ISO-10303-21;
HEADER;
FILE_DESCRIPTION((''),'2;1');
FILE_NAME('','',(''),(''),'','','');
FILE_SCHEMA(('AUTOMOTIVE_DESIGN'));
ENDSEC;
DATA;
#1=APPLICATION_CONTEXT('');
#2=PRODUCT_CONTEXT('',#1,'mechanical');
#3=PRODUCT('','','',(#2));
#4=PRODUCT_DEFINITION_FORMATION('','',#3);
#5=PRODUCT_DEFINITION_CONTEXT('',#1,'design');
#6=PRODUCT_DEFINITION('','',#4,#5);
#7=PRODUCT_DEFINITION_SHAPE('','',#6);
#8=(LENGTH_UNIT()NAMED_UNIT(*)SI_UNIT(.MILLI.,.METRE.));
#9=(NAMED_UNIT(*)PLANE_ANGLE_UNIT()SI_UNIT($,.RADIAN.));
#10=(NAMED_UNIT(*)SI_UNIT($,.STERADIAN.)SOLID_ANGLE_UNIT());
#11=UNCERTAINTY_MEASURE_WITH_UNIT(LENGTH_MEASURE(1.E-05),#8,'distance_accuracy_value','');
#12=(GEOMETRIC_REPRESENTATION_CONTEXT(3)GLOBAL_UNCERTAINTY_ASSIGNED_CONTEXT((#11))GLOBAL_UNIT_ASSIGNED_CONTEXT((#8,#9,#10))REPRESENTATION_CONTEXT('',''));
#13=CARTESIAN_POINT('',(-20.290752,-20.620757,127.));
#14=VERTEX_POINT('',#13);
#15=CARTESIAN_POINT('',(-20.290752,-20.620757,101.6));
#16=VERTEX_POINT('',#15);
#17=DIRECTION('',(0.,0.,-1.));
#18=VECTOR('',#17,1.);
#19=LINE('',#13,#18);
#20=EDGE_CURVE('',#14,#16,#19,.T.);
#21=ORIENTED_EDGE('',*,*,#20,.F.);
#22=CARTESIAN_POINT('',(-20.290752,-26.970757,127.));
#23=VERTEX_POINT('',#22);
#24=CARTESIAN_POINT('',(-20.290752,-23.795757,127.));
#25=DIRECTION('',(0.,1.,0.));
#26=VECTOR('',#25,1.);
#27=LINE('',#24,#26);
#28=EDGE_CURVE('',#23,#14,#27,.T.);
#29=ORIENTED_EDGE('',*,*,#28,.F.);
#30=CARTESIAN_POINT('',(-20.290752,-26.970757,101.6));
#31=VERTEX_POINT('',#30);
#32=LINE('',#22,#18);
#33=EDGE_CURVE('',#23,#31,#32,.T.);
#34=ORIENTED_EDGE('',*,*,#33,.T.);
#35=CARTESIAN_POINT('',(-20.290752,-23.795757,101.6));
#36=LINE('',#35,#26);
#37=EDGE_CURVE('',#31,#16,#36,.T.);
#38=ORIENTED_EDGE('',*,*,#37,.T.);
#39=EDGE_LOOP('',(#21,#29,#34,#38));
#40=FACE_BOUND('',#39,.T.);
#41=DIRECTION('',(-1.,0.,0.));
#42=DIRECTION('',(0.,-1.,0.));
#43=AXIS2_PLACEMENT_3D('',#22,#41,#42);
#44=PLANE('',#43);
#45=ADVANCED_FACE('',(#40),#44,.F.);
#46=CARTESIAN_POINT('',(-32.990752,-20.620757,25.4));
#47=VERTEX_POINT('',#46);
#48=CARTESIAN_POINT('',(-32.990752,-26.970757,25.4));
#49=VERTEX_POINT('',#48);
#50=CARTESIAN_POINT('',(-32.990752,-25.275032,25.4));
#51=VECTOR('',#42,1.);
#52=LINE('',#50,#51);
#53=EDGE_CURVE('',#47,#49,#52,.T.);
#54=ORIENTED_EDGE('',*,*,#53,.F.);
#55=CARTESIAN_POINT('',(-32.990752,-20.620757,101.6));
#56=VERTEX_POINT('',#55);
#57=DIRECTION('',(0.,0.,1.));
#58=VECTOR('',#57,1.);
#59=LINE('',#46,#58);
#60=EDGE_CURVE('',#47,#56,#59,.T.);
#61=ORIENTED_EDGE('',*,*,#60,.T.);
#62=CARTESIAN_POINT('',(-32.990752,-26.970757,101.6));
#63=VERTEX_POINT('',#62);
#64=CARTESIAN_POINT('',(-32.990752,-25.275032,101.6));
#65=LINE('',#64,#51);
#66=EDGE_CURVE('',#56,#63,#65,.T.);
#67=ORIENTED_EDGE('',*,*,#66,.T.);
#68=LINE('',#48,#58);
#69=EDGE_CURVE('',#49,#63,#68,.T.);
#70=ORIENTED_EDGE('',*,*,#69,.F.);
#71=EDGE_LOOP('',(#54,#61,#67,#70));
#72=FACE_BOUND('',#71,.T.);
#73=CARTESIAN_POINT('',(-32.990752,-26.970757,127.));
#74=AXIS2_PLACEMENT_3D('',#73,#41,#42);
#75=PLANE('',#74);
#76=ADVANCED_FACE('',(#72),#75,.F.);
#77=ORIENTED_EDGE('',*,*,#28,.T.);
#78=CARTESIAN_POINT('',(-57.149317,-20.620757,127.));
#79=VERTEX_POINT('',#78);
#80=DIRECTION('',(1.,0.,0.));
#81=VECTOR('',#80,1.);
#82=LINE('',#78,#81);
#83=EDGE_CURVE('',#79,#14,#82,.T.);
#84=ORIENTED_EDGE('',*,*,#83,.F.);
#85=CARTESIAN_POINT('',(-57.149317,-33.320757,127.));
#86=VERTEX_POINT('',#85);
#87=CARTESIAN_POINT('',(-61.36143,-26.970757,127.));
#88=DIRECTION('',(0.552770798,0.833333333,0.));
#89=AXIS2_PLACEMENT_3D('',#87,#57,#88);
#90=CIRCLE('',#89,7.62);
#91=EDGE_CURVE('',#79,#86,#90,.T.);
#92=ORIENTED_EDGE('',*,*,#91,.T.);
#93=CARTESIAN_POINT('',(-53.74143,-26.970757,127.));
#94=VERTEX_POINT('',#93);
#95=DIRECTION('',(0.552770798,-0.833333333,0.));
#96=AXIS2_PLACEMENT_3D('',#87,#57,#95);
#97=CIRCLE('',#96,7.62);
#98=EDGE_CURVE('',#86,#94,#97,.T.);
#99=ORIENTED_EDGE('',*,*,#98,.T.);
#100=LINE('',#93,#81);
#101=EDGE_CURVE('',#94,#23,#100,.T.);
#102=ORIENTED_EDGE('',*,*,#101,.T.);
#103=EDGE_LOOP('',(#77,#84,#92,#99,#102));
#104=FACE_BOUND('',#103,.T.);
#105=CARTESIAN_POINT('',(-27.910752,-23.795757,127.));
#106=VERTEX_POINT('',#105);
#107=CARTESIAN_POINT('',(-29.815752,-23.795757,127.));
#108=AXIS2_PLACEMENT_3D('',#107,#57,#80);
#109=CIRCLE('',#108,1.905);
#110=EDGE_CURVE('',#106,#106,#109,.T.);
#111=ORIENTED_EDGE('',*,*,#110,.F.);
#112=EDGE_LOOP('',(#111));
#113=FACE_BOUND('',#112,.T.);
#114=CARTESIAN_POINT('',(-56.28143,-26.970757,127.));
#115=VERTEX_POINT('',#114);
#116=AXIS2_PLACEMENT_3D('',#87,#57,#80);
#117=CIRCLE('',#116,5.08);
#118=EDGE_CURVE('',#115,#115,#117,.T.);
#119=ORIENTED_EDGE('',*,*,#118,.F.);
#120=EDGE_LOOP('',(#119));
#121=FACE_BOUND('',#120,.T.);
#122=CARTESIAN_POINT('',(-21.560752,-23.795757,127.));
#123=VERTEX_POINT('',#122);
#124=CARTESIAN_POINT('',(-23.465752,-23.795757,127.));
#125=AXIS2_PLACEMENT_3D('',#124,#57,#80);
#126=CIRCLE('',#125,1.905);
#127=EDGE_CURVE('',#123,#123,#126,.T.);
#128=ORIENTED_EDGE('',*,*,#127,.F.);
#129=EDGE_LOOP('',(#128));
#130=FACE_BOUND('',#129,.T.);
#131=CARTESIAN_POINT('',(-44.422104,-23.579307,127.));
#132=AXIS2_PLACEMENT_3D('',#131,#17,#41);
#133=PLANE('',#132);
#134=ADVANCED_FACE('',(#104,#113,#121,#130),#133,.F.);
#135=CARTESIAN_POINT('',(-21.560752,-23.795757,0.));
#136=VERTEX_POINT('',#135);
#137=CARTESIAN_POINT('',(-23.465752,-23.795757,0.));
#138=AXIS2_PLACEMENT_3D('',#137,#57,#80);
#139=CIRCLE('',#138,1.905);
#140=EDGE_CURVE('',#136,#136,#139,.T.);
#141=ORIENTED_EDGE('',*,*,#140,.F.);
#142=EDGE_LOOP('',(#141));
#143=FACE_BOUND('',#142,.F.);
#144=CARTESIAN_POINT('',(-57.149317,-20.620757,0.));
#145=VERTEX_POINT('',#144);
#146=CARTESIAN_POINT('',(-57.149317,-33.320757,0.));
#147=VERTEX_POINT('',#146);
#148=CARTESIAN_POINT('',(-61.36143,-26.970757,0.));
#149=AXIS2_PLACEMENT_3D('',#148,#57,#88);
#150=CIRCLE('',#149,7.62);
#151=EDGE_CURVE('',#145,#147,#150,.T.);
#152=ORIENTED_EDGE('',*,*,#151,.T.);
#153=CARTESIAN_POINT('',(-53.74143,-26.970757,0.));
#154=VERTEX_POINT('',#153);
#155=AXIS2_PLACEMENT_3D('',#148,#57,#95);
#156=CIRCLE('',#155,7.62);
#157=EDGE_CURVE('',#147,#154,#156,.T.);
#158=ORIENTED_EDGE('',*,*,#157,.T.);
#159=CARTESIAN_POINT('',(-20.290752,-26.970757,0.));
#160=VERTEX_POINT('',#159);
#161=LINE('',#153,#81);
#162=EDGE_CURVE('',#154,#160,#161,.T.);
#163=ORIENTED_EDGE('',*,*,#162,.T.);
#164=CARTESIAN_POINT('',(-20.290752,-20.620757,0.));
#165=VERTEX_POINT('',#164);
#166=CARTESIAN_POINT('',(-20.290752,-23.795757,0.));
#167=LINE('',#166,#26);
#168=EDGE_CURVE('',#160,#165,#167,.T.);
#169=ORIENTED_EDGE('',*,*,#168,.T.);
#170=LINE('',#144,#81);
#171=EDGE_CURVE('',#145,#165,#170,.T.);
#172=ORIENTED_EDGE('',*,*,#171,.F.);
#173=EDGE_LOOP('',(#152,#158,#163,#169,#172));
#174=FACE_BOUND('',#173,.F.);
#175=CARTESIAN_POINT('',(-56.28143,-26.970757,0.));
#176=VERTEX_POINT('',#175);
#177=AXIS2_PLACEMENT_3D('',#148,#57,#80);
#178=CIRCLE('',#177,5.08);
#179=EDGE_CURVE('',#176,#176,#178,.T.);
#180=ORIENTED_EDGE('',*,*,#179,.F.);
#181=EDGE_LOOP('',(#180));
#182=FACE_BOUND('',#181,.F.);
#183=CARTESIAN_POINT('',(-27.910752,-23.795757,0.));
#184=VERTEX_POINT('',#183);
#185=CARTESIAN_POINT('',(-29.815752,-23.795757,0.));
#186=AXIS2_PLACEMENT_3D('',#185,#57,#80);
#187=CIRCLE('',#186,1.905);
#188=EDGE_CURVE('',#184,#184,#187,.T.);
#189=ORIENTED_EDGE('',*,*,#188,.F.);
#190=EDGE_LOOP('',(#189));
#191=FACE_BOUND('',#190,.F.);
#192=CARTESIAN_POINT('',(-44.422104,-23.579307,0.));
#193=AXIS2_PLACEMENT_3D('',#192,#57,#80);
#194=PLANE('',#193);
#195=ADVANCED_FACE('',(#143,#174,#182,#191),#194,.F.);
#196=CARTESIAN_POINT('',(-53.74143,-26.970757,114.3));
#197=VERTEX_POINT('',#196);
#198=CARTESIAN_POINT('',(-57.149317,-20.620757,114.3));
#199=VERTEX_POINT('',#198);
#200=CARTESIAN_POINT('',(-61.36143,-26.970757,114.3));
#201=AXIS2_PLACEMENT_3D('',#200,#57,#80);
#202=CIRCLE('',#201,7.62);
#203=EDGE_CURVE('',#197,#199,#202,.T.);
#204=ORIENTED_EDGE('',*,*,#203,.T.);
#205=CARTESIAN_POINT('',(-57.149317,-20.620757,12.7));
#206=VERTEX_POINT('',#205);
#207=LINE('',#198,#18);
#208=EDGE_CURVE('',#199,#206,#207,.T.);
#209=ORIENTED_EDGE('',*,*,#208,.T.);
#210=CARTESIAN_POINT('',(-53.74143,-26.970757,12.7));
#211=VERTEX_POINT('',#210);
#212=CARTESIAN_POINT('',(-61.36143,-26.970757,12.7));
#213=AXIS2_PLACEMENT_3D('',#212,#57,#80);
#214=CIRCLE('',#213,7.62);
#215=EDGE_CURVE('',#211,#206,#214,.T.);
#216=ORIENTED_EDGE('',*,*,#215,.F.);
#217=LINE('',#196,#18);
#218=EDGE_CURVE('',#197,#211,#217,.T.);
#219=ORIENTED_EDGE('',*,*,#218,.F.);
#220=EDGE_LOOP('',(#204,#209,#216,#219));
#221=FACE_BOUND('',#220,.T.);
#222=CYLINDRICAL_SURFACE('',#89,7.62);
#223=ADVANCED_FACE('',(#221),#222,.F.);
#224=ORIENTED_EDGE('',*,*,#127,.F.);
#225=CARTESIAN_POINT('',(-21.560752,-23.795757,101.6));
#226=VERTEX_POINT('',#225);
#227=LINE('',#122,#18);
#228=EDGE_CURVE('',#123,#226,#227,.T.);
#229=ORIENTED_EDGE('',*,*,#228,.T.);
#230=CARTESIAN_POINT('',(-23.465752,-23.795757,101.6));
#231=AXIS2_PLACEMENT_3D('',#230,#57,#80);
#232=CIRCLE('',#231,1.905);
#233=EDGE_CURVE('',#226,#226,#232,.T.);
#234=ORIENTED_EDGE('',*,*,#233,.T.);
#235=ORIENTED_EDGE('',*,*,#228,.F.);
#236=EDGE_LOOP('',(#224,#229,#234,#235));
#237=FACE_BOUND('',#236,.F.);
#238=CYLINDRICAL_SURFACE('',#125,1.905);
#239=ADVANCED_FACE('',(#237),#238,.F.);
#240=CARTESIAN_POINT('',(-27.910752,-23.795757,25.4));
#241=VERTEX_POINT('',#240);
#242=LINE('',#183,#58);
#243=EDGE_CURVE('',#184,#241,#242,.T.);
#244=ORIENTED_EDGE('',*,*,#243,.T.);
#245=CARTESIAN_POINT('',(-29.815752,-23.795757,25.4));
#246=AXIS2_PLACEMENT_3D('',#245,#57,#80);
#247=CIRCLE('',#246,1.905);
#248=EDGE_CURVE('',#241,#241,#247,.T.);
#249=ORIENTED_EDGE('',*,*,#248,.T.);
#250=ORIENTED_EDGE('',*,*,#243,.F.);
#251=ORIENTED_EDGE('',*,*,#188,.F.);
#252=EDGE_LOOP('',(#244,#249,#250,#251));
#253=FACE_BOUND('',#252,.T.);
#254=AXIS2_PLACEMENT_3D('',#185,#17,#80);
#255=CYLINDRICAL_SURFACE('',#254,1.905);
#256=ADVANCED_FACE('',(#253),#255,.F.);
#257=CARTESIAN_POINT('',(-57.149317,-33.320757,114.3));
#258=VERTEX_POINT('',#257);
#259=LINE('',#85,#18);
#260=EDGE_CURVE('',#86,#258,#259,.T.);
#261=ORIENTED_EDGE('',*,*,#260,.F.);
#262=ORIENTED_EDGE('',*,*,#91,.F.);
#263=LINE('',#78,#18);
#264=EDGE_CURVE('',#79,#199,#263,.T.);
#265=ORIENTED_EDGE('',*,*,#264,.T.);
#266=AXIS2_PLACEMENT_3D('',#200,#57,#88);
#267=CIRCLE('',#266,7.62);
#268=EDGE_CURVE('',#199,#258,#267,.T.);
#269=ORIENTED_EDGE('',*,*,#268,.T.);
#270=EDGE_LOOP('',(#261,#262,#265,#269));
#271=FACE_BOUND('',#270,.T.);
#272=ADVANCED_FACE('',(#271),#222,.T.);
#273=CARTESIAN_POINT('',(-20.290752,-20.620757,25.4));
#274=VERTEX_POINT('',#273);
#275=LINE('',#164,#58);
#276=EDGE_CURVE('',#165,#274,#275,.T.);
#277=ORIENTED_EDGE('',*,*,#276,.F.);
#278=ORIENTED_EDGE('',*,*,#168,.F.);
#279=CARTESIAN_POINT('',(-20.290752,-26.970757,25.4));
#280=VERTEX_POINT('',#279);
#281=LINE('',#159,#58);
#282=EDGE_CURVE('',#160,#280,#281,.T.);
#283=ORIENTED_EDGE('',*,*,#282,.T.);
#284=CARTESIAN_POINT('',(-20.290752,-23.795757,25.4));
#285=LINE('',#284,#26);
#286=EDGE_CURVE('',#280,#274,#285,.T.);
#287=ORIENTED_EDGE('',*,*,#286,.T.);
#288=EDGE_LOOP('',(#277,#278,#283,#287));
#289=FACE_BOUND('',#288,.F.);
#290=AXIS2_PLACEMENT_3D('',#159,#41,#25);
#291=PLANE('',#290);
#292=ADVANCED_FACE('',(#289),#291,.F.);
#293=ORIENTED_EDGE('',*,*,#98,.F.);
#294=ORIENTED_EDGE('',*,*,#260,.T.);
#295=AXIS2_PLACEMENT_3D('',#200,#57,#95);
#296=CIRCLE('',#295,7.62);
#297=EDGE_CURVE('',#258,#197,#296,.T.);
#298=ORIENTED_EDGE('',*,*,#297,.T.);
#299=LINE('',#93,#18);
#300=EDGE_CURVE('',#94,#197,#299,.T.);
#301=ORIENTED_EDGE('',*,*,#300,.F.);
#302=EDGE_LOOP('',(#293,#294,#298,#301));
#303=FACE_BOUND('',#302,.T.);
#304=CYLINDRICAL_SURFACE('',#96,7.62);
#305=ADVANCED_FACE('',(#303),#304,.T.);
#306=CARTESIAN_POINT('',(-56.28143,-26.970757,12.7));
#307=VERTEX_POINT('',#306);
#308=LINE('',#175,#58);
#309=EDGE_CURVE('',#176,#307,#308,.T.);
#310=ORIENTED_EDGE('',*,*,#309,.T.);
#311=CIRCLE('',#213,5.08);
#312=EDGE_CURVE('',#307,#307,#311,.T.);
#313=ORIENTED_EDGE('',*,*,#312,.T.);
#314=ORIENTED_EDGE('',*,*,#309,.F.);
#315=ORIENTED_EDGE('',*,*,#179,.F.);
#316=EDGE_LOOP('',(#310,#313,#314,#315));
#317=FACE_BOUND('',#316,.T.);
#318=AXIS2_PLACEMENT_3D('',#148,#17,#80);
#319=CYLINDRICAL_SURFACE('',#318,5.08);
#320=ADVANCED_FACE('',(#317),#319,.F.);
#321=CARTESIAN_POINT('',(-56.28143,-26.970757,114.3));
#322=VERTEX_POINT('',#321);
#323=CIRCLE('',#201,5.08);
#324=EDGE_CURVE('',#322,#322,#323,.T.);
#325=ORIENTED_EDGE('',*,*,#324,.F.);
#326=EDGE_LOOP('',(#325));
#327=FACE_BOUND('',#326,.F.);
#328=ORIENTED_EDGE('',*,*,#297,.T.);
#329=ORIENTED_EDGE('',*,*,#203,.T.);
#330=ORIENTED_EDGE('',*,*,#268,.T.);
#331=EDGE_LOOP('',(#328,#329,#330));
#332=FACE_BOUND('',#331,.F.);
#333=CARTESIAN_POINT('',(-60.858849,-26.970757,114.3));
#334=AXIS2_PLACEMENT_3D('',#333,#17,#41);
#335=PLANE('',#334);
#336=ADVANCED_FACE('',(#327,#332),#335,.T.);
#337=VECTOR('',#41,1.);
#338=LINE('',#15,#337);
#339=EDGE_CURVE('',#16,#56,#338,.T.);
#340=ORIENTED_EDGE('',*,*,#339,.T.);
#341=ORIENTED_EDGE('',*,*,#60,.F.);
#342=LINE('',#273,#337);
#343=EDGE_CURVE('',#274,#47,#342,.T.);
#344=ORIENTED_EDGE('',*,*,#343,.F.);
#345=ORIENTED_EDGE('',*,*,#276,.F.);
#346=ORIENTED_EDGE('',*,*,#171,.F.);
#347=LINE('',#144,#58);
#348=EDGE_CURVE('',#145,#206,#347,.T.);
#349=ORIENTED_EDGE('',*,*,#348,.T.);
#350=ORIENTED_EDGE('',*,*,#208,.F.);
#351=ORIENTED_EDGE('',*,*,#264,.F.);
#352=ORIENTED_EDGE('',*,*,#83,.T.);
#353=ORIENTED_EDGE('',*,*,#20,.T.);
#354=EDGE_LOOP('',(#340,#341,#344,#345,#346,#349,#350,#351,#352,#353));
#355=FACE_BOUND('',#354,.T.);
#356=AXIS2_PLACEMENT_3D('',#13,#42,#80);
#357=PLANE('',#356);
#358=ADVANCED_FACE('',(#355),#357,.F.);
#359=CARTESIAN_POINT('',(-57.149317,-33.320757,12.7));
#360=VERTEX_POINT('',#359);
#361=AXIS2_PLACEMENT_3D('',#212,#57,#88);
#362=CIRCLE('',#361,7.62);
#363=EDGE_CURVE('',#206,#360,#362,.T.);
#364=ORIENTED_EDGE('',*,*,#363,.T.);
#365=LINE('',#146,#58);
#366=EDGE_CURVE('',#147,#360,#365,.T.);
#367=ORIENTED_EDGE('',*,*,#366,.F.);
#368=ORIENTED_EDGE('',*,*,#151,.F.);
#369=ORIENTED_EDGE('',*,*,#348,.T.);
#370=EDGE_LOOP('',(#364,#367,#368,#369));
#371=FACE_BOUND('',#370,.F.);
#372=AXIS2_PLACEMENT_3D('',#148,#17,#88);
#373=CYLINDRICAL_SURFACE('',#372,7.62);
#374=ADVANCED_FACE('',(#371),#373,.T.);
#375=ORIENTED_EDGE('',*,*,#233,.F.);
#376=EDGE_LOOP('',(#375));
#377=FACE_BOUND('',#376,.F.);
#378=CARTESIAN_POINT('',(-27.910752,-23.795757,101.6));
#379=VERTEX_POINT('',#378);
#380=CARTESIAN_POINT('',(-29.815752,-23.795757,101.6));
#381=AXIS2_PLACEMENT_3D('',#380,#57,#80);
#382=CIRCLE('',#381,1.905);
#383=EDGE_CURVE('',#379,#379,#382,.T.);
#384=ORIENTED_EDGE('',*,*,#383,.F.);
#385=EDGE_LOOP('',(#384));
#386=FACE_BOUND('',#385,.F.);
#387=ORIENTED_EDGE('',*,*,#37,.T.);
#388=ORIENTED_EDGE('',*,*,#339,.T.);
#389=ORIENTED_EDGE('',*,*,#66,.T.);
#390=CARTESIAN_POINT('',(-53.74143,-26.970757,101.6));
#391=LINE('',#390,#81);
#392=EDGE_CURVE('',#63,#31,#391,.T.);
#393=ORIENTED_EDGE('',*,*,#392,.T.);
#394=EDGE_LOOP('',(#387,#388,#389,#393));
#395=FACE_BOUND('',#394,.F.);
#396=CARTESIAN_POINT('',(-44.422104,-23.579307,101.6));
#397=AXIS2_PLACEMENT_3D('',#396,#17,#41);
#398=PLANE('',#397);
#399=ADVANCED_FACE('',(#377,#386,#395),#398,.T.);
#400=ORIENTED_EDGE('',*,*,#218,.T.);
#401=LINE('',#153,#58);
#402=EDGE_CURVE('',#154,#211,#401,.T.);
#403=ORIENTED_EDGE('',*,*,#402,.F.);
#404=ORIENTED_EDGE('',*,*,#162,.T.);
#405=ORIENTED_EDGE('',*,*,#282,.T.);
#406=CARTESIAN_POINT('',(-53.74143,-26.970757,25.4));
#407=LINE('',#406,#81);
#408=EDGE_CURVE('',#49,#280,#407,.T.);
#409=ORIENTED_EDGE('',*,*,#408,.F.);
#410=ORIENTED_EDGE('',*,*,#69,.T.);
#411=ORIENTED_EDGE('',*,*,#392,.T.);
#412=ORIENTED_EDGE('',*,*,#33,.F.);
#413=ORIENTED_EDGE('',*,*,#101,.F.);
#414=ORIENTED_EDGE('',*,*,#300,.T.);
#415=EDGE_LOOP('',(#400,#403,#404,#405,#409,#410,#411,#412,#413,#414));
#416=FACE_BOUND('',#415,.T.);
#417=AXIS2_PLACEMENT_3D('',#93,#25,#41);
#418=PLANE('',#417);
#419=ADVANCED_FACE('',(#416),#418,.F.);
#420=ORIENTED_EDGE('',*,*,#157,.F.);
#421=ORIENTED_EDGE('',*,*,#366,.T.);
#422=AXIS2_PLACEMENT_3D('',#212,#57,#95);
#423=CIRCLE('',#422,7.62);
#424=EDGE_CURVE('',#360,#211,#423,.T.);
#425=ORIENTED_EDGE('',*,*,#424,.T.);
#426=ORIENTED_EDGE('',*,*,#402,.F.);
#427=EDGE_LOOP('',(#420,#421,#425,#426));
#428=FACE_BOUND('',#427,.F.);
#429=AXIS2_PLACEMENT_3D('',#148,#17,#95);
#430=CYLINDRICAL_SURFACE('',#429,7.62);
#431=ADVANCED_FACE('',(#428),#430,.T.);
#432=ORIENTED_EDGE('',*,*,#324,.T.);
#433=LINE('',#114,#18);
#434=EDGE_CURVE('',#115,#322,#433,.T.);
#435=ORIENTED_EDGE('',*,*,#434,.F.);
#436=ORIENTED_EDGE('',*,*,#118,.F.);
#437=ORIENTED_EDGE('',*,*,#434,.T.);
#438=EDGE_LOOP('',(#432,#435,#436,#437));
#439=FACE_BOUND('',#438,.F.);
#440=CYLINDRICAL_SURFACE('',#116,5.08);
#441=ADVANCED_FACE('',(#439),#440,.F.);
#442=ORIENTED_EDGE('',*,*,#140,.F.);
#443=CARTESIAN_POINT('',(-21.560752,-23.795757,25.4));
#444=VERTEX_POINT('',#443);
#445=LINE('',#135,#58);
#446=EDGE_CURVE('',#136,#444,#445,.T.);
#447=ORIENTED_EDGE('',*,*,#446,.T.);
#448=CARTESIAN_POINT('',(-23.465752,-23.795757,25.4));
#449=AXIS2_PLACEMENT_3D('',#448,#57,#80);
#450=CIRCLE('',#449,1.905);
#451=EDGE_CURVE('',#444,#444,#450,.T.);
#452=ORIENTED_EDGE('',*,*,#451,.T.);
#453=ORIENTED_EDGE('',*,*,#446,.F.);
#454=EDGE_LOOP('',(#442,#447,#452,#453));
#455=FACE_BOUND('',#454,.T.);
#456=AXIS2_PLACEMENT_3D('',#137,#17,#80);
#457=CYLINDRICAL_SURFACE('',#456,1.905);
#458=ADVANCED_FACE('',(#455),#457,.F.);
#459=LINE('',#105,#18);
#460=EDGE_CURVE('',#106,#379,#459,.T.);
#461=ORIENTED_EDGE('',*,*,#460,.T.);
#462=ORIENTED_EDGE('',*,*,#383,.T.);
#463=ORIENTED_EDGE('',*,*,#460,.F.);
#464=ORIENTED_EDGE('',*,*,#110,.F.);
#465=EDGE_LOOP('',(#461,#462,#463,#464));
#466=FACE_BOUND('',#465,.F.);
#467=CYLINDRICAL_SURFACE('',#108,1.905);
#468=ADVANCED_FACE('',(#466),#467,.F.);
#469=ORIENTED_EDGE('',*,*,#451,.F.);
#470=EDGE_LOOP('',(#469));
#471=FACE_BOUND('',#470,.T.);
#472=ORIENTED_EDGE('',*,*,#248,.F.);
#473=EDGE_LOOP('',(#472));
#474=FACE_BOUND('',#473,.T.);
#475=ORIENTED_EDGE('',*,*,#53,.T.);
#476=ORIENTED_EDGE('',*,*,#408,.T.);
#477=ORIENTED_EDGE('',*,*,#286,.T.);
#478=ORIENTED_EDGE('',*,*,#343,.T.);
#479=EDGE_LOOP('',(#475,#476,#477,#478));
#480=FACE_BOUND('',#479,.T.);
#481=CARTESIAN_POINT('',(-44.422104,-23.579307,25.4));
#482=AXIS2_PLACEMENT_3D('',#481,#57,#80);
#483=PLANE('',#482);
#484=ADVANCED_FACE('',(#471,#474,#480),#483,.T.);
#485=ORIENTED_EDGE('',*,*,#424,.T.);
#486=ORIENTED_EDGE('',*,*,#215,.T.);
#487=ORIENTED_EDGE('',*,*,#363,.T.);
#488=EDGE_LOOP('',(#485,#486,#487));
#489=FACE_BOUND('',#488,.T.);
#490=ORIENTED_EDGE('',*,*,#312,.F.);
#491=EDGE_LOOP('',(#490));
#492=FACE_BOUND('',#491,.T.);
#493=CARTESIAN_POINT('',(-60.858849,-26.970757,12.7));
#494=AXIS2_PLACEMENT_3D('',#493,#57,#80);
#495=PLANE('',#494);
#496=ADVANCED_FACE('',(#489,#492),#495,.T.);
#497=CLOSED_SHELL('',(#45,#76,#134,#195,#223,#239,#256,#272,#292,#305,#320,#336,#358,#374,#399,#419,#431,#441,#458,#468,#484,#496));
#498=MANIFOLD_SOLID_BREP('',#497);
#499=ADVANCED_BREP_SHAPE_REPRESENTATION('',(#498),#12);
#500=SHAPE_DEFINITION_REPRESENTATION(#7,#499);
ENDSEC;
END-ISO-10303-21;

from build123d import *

# Parameters (mm, degrees)
F0_R     = 5.08
F1_DEPTH = 12.7
F0_W     = 6.35
F0_H     = 6.35
F0_R_2   = 1.905
F2_DEPTH = 25.4
F3_DEPTH = 63.5


with BuildPart() as f1:
    # F0 (on Top) → F1 (new body)
    with BuildSketch(Plane.XY):
        with BuildLine():
            ThreePointArc((-57.1493167461, -20.6207571715), (-68.9814302299, -26.9707571715), (-57.1493167461, -33.3207571715))
            ThreePointArc((-57.1493167461, -33.3207571715), (-54.6472398563, -30.5740955718), (-53.7414302299, -26.9707571715))
            ThreePointArc((-53.7414302299, -26.9707571715), (-54.6472398563, -23.3674187712), (-57.1493167461, -20.6207571715))
        make_face()
        with Locations((-61.3614302299, -26.9707571715)):
            Circle(F0_R, mode=Mode.SUBTRACT)
    extrude(amount=F1_DEPTH)

    # F0 (on Top) → F2 (join)
    with BuildSketch(Plane.XY):
        with BuildLine():
            Line((-53.7414302299, -26.9707571715), (-32.9907516612, -26.9707571715))
            Line((-32.9907516612, -26.9707571715), (-32.9907516612, -20.6207571715))
            Line((-32.9907516612, -20.6207571715), (-57.1493167461, -20.6207571715))
            ThreePointArc((-57.1493167461, -20.6207571715), (-54.6472398563, -23.3674187712), (-53.7414302299, -26.9707571715))
        make_face()
        with Locations((-23.4657516612, -23.7957571715)):
            Rectangle(F0_W, F0_H)
        with Locations((-23.4657516612, -23.7957571715)):
            Circle(F0_R_2, mode=Mode.SUBTRACT)
        with Locations((-29.8157516612, -23.7957571715)):
            Rectangle(F0_W, F0_H)
        with Locations((-29.8157516612, -23.7957571715)):
            Circle(F0_R_2, mode=Mode.SUBTRACT)
    extrude(amount=F2_DEPTH)

    # F0 (on Top) → F3 (join)
    with BuildSketch(Plane.XY):
        with BuildLine():
            Line((-53.7414302299, -26.9707571715), (-32.9907516612, -26.9707571715))
            Line((-32.9907516612, -26.9707571715), (-32.9907516612, -20.6207571715))
            Line((-32.9907516612, -20.6207571715), (-57.1493167461, -20.6207571715))
            ThreePointArc((-57.1493167461, -20.6207571715), (-54.6472398563, -23.3674187712), (-53.7414302299, -26.9707571715))
        make_face()
    extrude(amount=F3_DEPTH)

    # F4: F1 across face


with BuildPart() as f1_1:
    add(f1.part)
    add(f1.part.mirror(Plane(origin=(-43.8925069162, -23.7183782797, 63.5), x_dir=(1, 0, 0), z_dir=(0, 0, 1))))


solid = f1_1.part
